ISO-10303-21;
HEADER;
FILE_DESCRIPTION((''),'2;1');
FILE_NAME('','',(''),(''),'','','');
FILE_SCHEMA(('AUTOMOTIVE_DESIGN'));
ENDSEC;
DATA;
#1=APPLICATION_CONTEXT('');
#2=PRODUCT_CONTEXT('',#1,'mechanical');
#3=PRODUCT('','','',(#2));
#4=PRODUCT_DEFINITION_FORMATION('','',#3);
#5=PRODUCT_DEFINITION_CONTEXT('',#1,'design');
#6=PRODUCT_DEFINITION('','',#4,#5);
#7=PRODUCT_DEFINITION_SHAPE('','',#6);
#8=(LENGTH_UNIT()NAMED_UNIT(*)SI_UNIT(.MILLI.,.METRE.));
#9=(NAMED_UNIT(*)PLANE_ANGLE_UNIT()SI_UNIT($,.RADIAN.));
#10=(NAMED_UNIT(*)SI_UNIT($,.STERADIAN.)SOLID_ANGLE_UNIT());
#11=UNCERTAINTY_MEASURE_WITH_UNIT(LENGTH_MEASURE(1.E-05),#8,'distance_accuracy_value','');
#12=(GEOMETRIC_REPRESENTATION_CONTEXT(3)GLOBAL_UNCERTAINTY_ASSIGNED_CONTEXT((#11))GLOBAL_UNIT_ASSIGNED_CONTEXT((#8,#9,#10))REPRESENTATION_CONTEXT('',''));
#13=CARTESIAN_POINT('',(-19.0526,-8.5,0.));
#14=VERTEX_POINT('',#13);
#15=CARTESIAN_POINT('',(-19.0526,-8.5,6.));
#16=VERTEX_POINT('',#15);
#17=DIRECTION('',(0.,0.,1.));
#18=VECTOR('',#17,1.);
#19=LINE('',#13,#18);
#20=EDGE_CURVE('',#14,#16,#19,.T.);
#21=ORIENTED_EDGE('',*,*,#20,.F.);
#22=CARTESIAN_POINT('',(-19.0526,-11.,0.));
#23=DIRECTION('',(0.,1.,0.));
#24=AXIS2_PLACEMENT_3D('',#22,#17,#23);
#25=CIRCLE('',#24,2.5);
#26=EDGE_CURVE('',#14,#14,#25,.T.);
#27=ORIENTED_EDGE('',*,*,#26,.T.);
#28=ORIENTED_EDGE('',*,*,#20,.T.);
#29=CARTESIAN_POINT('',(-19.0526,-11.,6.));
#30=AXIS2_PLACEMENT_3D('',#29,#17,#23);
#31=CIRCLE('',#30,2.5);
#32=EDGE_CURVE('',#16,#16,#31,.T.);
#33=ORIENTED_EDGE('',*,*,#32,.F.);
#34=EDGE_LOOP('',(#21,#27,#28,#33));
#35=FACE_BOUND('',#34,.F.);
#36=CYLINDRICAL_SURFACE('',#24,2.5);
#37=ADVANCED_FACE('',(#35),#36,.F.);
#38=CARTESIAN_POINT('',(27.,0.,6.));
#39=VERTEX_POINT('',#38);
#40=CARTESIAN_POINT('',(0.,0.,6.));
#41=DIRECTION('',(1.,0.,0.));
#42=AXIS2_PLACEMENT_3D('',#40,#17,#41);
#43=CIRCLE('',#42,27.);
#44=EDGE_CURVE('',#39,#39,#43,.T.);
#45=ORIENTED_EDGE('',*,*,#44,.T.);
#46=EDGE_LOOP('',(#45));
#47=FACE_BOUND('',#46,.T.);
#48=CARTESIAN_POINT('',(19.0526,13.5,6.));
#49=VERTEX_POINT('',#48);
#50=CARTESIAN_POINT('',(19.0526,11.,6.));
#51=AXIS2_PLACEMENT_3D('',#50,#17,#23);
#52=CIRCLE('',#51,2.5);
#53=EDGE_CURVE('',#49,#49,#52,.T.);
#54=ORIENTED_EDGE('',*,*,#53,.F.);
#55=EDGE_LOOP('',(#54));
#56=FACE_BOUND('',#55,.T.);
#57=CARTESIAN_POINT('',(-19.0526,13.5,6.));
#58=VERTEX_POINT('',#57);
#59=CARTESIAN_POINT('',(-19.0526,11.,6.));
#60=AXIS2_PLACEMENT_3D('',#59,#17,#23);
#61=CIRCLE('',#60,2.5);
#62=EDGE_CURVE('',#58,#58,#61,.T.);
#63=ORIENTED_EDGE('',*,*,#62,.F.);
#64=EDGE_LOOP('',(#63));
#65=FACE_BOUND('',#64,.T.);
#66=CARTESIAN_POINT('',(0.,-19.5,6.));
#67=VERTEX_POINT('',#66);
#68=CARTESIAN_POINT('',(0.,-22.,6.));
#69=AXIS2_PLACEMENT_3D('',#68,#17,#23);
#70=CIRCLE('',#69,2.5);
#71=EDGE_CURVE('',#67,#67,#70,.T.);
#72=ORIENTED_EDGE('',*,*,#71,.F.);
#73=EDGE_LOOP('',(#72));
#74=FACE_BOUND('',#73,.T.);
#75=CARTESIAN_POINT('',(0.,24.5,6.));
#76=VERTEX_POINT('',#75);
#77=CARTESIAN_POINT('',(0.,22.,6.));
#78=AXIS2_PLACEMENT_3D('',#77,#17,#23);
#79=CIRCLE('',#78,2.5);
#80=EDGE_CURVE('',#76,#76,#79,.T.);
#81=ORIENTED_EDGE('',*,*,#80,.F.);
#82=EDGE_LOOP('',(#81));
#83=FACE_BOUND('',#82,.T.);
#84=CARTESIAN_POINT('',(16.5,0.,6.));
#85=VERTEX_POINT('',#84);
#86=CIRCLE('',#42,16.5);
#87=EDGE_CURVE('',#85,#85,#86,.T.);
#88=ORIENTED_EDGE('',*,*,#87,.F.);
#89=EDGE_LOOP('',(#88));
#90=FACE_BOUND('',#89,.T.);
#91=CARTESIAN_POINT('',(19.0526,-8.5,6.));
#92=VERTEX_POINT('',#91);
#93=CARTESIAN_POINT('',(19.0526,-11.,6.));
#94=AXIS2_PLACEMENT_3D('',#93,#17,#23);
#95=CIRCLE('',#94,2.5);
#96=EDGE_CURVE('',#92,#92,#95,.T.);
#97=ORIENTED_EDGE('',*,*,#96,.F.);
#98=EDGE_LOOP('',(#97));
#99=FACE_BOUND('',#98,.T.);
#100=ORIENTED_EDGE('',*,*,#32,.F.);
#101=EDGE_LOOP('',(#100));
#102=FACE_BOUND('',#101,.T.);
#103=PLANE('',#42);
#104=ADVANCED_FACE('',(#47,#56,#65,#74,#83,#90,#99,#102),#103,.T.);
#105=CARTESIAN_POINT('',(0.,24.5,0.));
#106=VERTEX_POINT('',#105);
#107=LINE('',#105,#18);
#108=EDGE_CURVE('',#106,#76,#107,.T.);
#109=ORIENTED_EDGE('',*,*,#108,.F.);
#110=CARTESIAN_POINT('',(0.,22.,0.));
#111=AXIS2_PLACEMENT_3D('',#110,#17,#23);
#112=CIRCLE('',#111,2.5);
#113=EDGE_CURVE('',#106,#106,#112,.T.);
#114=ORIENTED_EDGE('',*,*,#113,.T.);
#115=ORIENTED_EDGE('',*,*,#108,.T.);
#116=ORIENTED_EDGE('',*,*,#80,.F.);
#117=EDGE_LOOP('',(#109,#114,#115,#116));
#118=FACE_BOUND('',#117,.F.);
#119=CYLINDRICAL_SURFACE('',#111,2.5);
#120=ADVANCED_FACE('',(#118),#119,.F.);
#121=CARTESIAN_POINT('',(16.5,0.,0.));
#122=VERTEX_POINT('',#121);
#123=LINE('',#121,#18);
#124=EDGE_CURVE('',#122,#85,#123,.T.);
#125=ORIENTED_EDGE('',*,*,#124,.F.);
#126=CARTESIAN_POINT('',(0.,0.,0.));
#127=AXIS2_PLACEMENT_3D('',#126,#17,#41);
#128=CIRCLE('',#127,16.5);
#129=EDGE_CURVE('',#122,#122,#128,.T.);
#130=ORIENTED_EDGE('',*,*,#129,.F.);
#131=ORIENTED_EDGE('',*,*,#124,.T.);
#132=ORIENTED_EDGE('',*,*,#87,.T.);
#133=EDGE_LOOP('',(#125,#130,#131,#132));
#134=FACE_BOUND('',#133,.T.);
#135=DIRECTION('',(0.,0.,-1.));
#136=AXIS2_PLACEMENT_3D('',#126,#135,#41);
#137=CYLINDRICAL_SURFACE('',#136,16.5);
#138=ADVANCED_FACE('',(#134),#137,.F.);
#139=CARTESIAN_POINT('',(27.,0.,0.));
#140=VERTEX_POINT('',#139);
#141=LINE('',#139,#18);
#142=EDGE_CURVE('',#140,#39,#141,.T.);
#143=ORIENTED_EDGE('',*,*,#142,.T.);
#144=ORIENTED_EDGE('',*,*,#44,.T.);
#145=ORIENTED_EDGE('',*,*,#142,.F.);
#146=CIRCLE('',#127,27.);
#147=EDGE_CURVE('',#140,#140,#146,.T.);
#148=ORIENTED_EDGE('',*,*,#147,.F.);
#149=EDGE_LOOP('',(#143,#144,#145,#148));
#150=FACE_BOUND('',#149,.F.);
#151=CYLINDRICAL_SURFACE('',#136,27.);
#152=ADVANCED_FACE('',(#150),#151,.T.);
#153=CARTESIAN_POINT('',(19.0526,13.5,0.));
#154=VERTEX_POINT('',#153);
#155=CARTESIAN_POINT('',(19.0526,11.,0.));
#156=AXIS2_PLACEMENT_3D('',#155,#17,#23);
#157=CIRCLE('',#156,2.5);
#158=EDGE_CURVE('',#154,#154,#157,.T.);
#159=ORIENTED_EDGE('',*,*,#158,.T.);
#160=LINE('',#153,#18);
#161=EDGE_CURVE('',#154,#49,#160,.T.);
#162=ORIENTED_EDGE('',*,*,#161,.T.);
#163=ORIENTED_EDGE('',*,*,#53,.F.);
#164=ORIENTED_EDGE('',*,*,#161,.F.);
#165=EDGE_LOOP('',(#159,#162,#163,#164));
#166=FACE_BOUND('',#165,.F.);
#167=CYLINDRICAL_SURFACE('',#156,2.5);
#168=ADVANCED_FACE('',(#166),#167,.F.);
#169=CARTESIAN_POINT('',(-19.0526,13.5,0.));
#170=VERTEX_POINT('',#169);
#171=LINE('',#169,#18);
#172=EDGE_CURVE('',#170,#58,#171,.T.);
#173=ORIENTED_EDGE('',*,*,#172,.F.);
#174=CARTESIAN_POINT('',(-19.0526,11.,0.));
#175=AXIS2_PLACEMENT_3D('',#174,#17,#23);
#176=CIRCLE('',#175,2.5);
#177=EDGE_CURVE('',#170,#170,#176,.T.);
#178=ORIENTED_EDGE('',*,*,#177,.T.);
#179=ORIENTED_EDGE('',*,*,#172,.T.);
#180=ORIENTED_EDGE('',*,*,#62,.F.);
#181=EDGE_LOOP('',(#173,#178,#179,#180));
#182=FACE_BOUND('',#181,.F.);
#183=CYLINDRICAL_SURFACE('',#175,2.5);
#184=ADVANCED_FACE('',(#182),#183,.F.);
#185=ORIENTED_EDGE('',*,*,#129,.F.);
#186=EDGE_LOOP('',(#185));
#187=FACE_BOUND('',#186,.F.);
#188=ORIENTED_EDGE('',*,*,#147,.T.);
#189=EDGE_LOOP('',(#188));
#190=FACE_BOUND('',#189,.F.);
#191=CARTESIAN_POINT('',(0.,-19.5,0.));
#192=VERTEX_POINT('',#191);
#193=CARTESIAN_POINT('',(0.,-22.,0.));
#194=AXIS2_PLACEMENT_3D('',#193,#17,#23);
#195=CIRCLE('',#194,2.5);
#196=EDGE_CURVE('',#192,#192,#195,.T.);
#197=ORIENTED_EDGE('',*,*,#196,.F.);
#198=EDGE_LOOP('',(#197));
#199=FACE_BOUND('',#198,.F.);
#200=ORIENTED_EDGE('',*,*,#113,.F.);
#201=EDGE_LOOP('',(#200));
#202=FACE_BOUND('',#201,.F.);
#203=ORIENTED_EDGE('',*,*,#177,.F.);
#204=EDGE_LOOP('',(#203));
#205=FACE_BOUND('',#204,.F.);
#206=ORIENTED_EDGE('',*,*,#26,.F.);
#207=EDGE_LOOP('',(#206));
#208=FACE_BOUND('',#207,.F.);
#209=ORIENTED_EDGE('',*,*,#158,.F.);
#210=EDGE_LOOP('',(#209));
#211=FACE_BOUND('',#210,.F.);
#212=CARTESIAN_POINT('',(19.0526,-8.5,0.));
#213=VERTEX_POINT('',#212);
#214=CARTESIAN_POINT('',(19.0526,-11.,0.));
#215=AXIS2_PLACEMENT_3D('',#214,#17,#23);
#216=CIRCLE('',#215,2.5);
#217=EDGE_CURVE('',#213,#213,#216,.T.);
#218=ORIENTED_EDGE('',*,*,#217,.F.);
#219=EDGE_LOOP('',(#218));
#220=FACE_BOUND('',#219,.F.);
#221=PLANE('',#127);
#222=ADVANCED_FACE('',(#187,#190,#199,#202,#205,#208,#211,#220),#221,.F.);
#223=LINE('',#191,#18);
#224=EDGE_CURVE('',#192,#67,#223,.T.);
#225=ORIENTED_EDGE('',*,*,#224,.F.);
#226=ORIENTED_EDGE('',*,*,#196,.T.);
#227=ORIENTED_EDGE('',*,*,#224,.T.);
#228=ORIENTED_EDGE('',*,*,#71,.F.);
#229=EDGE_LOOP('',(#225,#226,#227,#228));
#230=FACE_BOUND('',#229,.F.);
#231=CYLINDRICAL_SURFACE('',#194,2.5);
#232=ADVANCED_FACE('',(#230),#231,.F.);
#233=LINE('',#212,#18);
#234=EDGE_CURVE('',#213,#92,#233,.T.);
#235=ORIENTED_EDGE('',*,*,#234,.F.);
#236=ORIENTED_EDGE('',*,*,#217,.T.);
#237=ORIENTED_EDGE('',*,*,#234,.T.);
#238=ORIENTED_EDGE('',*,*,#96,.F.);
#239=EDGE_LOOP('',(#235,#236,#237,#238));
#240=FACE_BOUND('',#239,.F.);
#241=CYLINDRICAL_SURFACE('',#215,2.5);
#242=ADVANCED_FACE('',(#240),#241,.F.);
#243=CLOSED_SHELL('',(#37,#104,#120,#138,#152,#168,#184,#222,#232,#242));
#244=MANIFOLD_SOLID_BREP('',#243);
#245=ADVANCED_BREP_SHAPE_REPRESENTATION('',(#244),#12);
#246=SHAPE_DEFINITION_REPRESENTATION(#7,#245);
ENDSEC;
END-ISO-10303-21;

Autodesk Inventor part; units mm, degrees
ref_plane "YZ Plane" through (0, 0, 0) normal (1, 0, 0) x (0, 1, 0)
ref_plane "XZ Plane" through (0, 0, 0) normal (0, 1, 0) x (-1, 0, 0)
ref_plane "XY Plane" through (0, 0, 0) normal (0, 0, 1) x (1, 0, 0)
sketch "Sketch1" plane through (0, 0, 0) normal (0, 0, 1) x (1, 0, 0)
  circle A0 centre (0, 0) radius 16.5
  circle A1 centre (0, 0) radius 27
  point P0 (0, 22)
  point P1 (-19.0526, 11)
  point P2 (-19.0526, -11)
  point P3 (0, -22)
  point P4 (19.0526, -11)
  point P5 (19.0526, 11)
  dimension "d9" = 33
  dimension "d20" = 22
  dimension "d23" = 360
  dimension "d58" = 54
extrude "Extrusion2" add sketch "Sketch1" along normal blind 6
hole "Hole3" at (0, 22, 0) at (-19.0526, 11, 0) at (-19.0526, -11, 0) at (0, -22, 0) at (19.0526, 11, 0) at (19.0526, -11, 0) direction (0, 0, 1) diameter 5 end through all
properties part number "SpacerSprocketHubPlate"
